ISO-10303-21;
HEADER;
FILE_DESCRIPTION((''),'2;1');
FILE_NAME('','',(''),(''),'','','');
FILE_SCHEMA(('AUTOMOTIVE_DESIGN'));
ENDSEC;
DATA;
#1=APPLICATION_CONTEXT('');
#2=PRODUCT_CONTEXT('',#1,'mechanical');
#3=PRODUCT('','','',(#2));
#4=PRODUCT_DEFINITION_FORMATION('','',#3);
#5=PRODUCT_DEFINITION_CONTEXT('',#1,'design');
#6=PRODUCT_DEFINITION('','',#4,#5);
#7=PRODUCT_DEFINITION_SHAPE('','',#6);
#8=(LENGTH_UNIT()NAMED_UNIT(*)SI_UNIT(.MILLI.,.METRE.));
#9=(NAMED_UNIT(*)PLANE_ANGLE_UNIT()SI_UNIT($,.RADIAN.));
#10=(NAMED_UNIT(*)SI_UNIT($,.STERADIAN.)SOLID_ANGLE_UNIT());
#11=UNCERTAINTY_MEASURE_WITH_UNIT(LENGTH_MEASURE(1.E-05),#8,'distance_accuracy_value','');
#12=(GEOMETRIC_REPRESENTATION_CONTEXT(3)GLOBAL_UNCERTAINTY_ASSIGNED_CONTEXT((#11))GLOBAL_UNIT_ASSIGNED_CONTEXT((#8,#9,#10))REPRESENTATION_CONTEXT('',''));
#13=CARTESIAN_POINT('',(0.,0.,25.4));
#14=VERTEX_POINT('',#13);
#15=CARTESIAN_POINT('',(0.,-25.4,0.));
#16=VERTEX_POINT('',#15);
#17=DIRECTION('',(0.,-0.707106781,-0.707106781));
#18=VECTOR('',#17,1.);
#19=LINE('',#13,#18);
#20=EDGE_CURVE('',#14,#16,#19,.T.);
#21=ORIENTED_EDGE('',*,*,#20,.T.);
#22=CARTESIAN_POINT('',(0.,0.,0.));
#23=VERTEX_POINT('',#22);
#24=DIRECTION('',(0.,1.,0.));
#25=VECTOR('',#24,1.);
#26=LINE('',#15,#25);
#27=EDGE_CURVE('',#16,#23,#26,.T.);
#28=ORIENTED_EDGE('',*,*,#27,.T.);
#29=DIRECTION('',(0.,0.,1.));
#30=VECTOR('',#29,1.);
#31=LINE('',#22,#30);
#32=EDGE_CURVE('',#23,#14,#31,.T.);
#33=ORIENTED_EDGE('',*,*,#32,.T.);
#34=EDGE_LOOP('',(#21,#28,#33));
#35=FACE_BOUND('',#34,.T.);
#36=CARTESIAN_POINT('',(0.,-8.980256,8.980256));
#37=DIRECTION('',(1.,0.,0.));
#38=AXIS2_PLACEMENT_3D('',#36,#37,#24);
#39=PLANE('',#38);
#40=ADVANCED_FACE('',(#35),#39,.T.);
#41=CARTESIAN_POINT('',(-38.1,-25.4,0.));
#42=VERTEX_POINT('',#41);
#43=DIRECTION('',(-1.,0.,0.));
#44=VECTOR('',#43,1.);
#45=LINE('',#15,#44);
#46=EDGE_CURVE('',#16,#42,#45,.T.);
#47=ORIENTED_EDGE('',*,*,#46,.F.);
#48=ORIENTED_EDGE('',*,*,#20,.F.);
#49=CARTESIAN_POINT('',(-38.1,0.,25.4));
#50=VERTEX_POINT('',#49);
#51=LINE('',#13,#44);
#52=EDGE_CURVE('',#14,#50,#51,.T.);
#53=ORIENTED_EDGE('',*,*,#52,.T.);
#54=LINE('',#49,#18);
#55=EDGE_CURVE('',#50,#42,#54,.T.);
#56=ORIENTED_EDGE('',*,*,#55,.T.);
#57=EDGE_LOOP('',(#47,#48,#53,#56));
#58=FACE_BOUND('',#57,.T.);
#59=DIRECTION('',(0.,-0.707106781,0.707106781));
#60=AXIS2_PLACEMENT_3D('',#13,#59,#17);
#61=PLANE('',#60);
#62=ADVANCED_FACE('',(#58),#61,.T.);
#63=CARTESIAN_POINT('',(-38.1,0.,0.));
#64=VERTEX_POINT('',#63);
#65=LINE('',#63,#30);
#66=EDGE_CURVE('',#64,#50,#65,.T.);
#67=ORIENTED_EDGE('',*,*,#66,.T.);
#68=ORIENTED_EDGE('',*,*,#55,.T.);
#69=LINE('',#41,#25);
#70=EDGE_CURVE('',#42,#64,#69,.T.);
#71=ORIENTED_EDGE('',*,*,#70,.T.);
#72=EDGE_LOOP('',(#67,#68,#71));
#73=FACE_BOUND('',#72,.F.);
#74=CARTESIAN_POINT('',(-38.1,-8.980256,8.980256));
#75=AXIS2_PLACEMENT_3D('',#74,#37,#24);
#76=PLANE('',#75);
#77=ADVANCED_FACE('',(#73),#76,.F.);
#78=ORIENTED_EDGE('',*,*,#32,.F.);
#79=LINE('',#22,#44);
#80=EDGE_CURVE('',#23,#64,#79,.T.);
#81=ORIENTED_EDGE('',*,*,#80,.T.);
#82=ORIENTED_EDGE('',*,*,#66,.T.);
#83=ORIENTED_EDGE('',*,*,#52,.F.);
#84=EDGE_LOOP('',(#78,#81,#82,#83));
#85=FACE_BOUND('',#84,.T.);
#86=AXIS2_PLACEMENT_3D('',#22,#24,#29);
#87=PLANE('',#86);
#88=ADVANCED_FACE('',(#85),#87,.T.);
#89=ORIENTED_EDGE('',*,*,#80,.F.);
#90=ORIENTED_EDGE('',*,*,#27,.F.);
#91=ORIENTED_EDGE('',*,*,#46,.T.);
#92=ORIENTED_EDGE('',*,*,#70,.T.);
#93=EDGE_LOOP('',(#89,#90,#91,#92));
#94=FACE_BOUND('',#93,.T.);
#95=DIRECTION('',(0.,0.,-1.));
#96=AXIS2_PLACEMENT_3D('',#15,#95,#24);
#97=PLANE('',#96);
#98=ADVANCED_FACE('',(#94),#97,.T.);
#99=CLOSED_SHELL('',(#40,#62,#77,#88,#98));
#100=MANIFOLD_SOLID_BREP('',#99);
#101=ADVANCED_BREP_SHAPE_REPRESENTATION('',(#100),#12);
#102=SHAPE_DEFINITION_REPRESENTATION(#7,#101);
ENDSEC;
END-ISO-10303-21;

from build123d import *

# Parameters (mm, degrees)
F1_DEPTH = 38.1


with BuildPart() as f1:
    # F0 (on Right) → F1 (new body)
    with BuildSketch(Plane.YZ):
        Polygon((-25.4, 0), (0, 0), (0, 25.4), align=None)
    extrude(amount=-F1_DEPTH)


solid = f1.part
